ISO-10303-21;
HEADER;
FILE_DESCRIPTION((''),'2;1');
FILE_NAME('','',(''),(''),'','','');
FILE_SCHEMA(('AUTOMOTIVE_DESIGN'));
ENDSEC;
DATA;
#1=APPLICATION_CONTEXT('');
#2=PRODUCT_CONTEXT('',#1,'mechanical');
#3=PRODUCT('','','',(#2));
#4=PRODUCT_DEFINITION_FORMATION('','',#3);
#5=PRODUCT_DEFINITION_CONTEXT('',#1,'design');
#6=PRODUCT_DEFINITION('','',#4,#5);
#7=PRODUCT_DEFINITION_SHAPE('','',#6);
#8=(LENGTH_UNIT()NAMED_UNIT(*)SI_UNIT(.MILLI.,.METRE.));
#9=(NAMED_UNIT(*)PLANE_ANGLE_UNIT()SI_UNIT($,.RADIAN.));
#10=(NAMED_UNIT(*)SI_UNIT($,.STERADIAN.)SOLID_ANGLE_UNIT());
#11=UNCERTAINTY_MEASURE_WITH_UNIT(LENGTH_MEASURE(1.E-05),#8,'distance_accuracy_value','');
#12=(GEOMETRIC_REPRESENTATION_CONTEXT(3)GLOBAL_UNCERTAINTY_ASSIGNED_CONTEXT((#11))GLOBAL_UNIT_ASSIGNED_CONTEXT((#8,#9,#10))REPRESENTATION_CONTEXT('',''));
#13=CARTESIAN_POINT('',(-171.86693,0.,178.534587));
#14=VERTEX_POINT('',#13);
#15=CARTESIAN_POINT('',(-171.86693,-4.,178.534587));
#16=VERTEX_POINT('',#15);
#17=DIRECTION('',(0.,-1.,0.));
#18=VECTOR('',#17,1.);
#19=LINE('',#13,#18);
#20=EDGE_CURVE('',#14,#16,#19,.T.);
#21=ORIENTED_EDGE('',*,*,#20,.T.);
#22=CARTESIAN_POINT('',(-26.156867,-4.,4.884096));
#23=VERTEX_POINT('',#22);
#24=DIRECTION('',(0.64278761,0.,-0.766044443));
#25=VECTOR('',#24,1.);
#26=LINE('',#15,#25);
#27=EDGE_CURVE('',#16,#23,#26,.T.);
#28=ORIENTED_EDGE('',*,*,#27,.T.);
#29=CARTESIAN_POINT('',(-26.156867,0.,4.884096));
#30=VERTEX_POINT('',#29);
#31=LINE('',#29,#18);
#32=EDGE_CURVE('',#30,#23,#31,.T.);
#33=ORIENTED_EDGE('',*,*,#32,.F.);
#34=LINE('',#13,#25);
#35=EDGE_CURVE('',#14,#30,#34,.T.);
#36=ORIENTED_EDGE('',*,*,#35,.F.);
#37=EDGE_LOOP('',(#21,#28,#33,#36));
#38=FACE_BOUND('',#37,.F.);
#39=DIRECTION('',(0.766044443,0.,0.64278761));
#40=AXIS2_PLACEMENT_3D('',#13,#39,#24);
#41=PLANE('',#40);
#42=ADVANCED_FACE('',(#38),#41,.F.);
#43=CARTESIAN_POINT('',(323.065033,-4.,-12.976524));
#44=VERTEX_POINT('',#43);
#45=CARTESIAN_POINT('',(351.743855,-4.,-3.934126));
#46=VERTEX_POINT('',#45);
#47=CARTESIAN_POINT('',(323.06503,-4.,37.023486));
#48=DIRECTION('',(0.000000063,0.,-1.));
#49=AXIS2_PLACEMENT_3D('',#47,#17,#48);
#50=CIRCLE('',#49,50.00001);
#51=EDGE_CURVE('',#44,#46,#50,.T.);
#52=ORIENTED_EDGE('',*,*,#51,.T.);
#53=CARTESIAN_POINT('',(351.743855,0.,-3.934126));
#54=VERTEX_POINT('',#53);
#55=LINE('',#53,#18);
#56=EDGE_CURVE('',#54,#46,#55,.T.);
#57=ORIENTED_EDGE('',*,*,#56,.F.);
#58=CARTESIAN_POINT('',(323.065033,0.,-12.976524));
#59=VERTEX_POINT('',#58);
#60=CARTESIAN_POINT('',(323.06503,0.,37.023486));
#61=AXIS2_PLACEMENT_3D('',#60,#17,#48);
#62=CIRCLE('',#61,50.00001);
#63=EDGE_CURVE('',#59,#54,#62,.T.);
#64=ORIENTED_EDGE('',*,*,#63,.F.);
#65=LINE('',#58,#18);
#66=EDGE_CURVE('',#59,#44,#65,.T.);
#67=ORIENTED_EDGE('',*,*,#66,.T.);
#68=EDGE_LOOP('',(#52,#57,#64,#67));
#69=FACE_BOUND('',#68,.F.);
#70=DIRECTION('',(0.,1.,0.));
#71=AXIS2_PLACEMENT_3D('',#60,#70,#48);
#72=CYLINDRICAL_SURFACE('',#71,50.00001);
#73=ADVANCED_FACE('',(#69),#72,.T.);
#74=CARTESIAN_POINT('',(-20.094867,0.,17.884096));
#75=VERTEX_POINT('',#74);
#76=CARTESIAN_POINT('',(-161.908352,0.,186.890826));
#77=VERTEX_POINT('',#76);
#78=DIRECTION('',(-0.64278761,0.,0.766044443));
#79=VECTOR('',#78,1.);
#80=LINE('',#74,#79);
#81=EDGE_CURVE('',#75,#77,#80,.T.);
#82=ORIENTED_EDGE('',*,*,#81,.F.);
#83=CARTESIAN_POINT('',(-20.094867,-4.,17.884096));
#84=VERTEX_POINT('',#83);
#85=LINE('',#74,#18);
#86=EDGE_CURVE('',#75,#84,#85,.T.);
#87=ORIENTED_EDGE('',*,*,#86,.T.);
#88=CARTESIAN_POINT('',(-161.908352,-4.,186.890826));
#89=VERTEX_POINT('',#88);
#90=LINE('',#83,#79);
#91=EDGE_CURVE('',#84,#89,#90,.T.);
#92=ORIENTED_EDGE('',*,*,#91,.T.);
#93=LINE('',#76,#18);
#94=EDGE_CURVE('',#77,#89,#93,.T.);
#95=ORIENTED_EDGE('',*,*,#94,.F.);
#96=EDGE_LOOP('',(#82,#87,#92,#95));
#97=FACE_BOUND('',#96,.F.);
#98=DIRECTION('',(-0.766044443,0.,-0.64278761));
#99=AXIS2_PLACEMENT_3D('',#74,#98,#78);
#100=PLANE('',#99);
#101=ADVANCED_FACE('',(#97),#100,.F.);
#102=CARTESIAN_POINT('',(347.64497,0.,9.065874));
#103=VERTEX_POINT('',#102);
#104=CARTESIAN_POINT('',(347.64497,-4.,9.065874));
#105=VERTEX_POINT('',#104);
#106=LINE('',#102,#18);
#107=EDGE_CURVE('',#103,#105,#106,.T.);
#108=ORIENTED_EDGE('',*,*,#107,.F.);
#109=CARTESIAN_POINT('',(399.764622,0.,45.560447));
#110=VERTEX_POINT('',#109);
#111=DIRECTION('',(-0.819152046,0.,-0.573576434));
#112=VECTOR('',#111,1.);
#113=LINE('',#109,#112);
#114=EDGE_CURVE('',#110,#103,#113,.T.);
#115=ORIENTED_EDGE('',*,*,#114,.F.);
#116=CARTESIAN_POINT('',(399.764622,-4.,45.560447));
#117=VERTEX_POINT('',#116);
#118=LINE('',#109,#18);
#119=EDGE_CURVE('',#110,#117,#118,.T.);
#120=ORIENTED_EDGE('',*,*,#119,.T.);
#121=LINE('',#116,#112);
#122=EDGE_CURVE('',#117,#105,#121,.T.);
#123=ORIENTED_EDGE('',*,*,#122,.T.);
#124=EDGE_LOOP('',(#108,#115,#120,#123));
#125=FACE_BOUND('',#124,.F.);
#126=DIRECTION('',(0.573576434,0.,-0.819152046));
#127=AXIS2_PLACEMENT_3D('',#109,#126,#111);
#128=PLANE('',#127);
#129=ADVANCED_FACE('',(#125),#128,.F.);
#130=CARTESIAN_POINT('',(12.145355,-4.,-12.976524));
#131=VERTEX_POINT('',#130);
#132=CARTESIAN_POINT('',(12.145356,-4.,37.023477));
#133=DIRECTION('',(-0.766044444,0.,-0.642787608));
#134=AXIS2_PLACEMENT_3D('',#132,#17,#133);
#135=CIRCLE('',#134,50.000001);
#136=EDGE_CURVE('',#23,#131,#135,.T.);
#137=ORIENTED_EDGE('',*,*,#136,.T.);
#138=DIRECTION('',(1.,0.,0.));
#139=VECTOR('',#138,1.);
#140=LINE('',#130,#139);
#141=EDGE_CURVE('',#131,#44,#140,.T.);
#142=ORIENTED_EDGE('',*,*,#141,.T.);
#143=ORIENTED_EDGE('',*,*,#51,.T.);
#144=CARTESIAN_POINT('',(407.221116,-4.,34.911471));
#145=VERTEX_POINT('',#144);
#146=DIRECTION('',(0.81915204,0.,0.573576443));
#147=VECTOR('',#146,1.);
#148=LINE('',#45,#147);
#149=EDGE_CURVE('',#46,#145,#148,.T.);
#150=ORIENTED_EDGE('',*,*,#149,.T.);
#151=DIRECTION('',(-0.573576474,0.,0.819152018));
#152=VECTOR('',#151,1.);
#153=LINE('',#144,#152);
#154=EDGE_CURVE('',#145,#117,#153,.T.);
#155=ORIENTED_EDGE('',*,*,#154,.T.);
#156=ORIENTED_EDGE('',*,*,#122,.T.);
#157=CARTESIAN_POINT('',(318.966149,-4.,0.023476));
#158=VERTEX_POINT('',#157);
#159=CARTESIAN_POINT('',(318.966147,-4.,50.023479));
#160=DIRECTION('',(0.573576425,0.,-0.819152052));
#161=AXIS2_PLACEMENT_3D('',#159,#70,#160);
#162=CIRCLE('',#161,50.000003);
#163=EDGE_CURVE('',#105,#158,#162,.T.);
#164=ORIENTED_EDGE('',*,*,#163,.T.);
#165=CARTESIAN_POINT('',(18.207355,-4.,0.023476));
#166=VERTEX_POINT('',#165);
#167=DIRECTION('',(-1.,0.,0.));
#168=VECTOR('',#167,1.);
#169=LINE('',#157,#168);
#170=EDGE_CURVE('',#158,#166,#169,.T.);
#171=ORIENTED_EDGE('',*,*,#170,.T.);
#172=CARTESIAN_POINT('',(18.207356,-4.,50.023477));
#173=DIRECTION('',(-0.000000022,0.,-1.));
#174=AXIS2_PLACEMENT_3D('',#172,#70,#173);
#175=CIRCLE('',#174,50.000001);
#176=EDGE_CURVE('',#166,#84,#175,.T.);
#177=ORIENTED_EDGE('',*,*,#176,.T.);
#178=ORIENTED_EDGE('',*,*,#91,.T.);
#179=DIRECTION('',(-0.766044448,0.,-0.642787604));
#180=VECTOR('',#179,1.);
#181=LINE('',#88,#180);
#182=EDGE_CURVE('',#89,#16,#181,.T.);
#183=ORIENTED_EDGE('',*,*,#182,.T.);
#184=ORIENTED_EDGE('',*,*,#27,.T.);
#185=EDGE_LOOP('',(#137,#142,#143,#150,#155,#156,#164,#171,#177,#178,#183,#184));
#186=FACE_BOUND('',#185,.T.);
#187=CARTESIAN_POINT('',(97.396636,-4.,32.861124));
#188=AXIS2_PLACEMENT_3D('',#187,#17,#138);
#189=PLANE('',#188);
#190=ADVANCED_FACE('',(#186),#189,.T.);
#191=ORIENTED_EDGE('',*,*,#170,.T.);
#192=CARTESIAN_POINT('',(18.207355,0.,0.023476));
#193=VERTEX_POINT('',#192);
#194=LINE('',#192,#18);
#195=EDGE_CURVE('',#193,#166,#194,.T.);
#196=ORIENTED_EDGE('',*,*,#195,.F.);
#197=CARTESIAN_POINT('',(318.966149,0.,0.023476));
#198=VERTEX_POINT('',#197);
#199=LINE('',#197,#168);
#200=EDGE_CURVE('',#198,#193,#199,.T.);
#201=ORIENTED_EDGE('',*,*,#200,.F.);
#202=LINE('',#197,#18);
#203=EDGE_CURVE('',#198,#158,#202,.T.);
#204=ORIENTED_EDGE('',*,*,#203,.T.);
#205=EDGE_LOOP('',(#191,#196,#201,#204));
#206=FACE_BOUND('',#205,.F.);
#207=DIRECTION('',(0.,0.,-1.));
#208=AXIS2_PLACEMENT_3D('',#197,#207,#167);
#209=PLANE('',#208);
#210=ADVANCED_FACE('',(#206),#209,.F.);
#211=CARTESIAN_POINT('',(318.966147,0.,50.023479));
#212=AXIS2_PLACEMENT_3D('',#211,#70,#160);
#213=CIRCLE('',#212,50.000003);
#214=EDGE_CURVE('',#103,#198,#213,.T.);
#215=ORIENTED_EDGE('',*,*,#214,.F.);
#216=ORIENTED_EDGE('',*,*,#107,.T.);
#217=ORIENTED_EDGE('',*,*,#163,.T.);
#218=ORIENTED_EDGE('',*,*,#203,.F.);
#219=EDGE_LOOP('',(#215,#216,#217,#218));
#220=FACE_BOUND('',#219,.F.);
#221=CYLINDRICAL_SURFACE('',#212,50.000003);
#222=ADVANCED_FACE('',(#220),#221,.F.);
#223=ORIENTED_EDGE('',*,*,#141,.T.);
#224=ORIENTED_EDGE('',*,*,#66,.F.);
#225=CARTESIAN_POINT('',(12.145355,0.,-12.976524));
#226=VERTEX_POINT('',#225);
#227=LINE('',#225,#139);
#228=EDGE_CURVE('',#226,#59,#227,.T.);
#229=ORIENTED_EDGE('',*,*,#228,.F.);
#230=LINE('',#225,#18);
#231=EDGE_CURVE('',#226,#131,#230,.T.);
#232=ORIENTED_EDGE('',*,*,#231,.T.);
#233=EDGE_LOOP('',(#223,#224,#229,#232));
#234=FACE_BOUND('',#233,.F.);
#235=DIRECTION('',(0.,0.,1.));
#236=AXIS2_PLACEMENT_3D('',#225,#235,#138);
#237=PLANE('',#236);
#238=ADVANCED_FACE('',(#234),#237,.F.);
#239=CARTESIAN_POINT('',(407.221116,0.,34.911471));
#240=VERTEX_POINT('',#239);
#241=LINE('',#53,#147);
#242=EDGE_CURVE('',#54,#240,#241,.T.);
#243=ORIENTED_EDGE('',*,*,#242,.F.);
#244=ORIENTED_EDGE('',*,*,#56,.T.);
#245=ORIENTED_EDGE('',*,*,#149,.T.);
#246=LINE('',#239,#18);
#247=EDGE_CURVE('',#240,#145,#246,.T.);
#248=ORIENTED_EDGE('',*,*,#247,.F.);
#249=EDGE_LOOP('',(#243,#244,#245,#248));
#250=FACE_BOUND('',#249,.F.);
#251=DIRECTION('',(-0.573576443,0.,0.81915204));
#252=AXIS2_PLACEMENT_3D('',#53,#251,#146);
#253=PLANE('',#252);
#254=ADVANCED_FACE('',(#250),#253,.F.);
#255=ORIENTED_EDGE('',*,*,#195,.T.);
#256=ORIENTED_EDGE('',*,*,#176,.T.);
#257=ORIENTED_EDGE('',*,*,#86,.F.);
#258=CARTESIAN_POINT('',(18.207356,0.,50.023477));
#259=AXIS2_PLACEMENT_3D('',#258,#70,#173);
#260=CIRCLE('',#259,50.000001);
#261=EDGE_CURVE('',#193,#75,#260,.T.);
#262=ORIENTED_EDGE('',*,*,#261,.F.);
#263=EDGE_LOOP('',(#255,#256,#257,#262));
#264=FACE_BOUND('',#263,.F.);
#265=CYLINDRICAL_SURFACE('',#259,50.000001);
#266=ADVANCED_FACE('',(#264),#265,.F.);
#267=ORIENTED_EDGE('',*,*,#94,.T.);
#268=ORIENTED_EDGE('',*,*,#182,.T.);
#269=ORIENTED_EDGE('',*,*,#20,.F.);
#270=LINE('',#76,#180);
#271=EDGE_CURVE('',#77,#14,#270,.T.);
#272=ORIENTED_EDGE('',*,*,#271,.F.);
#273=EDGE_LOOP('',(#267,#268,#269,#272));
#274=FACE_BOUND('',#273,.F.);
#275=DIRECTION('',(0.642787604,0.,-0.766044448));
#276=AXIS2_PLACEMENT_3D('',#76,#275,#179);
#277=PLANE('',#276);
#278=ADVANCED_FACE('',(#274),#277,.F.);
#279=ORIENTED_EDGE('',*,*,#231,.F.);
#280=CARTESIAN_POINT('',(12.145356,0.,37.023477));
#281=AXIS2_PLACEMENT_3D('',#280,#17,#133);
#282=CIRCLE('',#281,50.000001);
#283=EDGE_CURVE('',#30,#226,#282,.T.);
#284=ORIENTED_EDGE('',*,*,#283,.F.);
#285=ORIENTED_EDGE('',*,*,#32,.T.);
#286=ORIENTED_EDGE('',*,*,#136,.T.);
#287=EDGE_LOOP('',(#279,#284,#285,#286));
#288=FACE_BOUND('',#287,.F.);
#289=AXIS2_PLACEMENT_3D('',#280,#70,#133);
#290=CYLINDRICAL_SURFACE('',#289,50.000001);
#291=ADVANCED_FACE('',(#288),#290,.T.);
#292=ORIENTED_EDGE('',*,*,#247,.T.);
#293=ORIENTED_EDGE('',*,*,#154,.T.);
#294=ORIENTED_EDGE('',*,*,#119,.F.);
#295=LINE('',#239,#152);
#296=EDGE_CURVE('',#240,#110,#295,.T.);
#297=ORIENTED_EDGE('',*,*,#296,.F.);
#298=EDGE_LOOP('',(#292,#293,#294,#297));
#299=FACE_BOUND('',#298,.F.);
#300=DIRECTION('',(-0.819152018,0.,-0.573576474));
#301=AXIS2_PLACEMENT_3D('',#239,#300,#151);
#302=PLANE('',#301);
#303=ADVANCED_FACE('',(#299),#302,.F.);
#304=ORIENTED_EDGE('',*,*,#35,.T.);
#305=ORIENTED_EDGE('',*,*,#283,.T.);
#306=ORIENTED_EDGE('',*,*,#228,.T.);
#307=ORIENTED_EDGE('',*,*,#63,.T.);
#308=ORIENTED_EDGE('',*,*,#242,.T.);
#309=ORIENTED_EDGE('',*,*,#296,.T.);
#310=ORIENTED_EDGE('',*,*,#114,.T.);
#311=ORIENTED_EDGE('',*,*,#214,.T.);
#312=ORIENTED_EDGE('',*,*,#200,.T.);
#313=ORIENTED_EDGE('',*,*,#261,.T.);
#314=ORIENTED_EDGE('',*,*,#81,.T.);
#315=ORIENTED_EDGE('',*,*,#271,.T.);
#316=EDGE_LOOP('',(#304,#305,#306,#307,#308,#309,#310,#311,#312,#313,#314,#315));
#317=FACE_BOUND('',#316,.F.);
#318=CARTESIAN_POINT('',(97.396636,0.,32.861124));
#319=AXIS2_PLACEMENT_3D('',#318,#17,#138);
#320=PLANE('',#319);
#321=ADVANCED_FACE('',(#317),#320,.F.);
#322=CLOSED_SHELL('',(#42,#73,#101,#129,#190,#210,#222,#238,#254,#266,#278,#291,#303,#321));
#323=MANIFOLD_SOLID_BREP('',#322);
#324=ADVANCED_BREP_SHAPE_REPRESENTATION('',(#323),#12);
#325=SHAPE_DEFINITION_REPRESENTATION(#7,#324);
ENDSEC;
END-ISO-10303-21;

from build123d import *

# Parameters (mm, degrees)
F1_DEPTH = 4


with BuildPart() as f1:
    # F0 (on Front) → F1 (new body)
    with BuildSketch(Plane.XZ):
        with BuildLine():
            ThreePointArc((-26.156867, 4.884096), (-8.985558, -8.291913), (12.145355, -12.976524))
            Line((12.145355, -12.976524), (323.065033, -12.976524))
            ThreePointArc((323.065033, -12.976524), (338.100323, -10.662371), (351.743855, -3.934126))
            Line((351.743855, -3.934126), (407.221116, 34.911471))
            Line((407.221116, 34.911471), (399.764622, 45.560447))
            Line((399.764622, 45.560447), (347.64497, 9.065874))
            ThreePointArc((347.64497, 9.065874), (334.001439, 2.337629), (318.966149, 0.023476))
            Line((318.966149, 0.023476), (18.207355, 0.023476))
            ThreePointArc((18.207355, 0.023476), (-2.923558, 4.708087), (-20.094867, 17.884096))
            Line((-20.094867, 17.884096), (-161.908352, 186.890826))
            Line((-161.908352, 186.890826), (-171.86693, 178.534587))
            Line((-171.86693, 178.534587), (-26.156867, 4.884096))
        make_face()
    extrude(amount=F1_DEPTH)


solid = f1.part
